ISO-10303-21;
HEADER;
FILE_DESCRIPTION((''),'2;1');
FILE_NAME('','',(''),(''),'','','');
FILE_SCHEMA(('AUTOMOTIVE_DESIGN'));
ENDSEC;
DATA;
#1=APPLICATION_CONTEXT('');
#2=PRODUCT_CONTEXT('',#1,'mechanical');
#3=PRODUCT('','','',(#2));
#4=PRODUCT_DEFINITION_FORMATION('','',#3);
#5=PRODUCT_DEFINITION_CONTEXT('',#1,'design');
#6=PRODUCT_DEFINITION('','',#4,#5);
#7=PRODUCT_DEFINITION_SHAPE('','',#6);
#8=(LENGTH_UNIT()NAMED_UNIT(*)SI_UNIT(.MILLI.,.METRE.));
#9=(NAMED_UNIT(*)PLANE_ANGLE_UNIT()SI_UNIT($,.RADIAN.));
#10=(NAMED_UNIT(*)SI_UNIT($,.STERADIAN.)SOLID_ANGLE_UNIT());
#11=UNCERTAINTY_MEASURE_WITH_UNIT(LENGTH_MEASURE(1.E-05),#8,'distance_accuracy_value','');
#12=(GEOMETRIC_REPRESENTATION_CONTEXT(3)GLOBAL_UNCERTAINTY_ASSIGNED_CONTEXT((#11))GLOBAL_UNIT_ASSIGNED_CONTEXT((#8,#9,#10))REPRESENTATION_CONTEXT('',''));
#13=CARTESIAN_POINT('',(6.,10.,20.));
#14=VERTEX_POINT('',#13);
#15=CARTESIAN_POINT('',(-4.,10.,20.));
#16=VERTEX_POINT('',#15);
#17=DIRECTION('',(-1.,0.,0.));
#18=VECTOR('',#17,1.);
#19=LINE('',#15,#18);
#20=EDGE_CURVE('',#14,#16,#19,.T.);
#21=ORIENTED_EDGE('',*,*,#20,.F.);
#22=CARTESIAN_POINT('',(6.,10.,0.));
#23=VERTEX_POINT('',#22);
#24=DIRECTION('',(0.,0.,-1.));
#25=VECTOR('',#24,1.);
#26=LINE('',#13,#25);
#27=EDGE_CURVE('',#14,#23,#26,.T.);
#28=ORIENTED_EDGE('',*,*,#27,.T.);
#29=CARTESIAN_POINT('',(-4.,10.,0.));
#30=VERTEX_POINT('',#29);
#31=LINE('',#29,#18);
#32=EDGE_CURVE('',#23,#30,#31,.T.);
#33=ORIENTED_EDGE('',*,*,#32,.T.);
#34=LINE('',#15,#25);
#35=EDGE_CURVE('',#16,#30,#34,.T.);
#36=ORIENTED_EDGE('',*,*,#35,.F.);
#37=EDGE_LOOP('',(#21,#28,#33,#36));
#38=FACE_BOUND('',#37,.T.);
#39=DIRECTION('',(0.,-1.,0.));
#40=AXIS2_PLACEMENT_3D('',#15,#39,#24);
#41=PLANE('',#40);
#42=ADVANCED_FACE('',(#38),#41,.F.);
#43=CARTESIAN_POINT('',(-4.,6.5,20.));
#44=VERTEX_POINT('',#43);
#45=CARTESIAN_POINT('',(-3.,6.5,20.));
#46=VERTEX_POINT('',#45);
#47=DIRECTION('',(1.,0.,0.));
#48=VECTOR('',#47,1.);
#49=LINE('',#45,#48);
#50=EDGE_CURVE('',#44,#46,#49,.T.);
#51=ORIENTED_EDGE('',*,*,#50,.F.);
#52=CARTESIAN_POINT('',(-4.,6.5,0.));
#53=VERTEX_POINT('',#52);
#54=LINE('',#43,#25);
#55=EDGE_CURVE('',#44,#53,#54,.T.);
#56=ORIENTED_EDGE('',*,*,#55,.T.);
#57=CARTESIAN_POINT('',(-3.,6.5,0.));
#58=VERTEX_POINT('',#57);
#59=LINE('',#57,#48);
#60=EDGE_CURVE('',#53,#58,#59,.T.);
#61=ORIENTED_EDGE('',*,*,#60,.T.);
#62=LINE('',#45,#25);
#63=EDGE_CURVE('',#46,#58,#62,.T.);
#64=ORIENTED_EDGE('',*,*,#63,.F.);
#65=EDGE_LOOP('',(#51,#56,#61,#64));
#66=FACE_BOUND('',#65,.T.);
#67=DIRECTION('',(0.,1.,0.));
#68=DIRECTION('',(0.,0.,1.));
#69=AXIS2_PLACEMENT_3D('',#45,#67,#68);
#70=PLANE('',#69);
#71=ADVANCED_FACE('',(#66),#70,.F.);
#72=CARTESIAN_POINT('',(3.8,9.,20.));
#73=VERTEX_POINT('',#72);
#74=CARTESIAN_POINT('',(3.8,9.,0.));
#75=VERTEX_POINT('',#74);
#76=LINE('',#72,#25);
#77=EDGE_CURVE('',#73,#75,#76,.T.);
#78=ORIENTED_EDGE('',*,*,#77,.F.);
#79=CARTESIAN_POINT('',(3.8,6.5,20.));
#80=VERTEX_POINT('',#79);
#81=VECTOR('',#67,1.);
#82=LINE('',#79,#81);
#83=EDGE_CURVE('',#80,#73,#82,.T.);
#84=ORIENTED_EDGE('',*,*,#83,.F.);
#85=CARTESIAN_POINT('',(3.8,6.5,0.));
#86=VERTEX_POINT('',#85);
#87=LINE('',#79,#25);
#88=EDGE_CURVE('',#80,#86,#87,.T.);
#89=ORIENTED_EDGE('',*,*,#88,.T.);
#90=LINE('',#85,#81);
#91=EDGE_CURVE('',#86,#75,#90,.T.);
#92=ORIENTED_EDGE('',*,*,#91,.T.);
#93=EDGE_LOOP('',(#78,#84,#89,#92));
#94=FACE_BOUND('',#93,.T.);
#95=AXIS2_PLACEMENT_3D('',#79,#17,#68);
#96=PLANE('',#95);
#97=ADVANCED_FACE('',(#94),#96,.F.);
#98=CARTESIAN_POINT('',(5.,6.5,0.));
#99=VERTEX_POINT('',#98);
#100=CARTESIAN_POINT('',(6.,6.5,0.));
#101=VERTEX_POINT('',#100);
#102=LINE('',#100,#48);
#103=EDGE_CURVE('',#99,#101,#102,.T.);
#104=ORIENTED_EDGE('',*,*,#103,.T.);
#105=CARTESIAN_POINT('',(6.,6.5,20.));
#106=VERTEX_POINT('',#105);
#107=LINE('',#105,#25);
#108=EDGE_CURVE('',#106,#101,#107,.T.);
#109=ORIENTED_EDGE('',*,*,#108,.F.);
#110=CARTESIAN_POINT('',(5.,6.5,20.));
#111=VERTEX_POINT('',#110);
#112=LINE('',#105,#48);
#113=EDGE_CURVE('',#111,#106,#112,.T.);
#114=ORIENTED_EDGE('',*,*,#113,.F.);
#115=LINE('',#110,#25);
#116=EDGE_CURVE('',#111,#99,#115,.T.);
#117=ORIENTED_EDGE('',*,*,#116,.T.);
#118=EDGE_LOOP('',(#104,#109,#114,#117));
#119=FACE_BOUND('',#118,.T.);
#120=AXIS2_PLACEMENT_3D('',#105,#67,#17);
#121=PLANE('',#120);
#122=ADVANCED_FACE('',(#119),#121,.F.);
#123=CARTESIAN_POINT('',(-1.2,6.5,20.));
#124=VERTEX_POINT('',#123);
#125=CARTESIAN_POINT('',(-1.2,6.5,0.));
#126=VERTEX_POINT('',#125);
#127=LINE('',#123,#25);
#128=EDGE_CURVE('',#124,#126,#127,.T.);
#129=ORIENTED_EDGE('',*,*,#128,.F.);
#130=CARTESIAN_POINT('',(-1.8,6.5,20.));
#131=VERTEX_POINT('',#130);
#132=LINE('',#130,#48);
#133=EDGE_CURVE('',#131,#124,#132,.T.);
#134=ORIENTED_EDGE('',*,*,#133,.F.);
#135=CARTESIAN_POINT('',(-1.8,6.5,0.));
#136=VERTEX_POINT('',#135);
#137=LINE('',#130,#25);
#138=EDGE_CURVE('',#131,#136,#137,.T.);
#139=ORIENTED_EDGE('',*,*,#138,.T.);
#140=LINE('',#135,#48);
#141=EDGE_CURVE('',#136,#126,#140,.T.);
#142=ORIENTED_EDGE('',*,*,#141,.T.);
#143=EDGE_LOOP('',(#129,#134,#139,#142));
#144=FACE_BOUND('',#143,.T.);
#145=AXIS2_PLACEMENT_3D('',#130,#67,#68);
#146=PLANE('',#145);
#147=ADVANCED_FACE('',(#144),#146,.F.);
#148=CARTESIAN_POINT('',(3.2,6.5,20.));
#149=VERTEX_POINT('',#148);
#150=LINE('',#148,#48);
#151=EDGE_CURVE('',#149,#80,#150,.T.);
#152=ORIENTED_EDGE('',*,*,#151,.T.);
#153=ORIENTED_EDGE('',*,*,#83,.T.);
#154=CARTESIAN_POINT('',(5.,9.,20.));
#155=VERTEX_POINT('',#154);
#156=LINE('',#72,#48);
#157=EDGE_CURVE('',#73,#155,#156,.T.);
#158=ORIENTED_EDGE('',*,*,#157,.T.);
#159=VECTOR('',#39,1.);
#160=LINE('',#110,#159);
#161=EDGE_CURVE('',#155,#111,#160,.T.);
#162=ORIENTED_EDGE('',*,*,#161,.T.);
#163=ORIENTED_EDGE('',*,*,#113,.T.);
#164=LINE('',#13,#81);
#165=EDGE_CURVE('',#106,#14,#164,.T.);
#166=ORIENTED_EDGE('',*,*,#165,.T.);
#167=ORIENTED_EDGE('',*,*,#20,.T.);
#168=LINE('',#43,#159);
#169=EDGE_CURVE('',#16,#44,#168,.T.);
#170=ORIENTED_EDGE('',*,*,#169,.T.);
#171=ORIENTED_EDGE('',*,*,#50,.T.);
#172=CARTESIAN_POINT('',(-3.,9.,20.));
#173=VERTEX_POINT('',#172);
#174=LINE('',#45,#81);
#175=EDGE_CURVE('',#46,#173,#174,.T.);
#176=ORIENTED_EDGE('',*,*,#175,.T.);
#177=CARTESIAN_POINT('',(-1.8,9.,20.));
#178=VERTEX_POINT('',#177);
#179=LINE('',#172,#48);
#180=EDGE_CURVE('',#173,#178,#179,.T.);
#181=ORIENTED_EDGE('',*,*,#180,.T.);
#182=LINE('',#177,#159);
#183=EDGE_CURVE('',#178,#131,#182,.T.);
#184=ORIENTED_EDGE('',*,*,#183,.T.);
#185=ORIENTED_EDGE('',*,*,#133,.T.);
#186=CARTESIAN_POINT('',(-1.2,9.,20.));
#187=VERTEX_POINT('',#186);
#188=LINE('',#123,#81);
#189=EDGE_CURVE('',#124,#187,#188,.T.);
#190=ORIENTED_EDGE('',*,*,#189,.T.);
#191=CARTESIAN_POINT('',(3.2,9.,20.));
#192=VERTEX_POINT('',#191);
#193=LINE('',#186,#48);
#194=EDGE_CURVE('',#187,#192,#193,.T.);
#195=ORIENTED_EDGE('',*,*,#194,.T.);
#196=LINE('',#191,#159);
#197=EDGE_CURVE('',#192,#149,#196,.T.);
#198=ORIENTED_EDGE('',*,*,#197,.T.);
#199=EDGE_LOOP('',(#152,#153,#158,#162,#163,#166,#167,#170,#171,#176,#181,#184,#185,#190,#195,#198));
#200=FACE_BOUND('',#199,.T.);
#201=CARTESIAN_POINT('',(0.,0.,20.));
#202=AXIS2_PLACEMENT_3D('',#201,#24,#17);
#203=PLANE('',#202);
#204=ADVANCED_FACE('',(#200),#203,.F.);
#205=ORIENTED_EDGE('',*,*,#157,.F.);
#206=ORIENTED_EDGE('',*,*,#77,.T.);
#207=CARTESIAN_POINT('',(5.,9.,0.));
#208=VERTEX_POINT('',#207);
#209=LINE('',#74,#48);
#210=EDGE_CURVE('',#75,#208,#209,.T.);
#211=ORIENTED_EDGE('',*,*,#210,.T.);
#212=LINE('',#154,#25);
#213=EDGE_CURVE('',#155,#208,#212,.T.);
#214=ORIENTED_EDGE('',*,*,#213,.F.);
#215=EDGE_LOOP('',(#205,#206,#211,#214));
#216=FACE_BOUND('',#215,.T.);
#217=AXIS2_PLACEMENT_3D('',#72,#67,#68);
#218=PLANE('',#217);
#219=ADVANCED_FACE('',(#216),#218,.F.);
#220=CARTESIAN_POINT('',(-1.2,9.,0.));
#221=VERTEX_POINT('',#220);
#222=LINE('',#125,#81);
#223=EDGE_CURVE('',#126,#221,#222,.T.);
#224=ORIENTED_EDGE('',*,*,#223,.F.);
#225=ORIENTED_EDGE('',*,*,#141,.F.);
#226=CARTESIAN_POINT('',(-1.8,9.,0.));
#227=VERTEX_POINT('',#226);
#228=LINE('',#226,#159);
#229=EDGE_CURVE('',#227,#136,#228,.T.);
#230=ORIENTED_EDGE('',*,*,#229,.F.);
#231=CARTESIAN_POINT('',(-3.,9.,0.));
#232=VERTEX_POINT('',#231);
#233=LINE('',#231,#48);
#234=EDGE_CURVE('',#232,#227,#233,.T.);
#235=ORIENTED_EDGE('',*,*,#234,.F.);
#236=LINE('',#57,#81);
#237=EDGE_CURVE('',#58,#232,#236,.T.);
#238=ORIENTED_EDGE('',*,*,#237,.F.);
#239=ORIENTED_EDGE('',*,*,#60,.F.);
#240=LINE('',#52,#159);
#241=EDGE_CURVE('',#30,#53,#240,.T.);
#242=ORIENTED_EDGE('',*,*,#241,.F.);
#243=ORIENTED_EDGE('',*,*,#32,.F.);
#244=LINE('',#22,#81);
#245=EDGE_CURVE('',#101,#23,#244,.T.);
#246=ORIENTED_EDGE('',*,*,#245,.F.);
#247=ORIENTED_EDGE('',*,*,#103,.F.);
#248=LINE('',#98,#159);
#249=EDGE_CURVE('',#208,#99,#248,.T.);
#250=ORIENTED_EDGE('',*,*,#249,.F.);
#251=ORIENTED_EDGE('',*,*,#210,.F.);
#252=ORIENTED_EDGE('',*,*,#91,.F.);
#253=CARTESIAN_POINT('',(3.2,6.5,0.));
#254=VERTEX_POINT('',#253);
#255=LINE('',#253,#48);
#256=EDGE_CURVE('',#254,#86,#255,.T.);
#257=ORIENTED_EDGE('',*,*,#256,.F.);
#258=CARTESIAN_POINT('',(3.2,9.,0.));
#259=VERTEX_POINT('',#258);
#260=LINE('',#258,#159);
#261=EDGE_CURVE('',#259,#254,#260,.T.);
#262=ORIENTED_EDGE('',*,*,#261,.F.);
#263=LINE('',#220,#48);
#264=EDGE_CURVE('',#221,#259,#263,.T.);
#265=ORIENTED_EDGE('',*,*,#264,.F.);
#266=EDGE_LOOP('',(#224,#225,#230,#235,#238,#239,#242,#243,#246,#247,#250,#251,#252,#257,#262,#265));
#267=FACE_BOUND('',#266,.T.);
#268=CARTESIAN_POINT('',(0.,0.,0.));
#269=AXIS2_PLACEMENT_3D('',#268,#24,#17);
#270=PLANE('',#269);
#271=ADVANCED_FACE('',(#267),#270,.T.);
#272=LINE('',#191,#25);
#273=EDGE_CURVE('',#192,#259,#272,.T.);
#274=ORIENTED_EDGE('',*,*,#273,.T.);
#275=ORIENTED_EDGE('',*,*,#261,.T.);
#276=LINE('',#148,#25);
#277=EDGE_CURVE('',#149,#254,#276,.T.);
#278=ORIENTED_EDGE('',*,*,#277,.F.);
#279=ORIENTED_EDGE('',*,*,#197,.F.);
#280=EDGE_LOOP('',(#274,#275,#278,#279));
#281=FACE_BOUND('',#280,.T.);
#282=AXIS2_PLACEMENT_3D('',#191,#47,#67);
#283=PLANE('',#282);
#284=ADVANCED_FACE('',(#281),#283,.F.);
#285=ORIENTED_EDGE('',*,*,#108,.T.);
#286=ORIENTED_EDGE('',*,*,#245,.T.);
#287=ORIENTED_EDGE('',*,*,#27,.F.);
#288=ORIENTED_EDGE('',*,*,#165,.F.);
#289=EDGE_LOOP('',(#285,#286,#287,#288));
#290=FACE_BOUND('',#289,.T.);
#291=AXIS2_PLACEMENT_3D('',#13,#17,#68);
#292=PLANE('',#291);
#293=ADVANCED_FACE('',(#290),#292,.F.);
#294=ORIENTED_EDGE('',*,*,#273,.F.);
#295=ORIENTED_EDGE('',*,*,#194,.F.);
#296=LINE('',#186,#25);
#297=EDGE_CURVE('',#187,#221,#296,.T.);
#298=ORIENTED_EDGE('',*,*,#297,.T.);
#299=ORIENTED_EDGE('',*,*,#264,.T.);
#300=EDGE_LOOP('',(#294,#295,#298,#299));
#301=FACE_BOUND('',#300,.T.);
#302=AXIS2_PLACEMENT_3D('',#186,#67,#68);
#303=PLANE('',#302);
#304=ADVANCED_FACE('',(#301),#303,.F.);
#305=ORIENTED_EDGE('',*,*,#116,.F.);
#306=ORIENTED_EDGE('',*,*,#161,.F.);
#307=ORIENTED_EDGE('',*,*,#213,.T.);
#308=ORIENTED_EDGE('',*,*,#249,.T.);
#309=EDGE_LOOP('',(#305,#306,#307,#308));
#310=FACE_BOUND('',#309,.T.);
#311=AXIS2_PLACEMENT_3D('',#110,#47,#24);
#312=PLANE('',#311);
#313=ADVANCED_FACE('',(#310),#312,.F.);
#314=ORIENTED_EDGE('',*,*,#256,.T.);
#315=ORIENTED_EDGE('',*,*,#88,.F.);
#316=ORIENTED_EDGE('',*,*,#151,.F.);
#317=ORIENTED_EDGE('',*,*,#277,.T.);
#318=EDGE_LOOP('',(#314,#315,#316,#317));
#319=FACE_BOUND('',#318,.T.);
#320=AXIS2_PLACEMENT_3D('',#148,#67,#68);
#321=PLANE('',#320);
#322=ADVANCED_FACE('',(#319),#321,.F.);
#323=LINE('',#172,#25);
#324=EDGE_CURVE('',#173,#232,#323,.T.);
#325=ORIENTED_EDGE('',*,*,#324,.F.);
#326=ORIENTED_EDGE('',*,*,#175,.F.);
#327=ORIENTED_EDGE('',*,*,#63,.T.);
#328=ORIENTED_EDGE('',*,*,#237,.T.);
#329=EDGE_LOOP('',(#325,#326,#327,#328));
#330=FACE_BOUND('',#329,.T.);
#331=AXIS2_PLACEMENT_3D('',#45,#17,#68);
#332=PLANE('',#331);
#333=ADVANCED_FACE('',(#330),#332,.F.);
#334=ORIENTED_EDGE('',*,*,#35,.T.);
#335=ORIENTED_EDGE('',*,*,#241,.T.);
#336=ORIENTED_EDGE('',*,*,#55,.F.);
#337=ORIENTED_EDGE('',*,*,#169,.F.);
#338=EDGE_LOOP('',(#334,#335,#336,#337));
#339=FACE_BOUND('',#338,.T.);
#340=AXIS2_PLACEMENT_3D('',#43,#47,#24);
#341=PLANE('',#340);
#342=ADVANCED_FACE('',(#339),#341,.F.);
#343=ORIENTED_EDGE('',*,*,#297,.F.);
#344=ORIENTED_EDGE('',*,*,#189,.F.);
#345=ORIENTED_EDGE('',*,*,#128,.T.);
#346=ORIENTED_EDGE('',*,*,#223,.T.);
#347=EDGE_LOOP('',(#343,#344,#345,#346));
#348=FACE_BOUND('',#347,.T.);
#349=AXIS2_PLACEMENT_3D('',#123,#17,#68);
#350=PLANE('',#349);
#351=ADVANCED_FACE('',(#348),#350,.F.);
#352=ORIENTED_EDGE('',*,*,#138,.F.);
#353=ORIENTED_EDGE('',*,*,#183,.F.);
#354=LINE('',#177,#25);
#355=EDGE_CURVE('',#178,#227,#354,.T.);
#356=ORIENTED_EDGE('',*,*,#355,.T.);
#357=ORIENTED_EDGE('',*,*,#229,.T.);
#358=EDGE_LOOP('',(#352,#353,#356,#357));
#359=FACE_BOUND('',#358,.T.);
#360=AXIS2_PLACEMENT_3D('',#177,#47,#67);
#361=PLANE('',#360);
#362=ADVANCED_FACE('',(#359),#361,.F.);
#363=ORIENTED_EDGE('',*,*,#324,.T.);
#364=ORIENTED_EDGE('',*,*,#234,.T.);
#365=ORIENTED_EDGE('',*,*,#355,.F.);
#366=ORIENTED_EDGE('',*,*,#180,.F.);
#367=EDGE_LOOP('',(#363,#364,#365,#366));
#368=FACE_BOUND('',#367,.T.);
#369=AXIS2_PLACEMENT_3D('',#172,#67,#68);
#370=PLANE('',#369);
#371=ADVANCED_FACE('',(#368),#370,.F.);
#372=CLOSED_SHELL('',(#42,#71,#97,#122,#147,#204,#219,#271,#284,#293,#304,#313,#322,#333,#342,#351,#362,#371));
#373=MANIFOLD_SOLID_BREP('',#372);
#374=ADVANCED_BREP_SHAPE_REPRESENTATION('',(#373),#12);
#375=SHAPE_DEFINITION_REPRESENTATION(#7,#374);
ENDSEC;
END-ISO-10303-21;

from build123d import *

# Parameters (mm, degrees)
BOSS_EXTRUDE1_DEPTH = 20


with BuildPart() as part:
    # Sketch1 → Boss-Extrude1 (new body)
    with BuildSketch(Plane.XY):
        Polygon((-3, 6.5), (-4, 6.5), (-4, 10), (6, 10), (6, 6.5), (5, 6.5), (5, 9), (3.8, 9), (3.8, 6.5), (3.2, 6.5), (3.2, 9), (-1.2, 9), (-1.2, 6.5), (-1.8, 6.5), (-1.8, 9), (-3, 9), align=None)
    extrude(amount=BOSS_EXTRUDE1_DEPTH)


solid = part.part
